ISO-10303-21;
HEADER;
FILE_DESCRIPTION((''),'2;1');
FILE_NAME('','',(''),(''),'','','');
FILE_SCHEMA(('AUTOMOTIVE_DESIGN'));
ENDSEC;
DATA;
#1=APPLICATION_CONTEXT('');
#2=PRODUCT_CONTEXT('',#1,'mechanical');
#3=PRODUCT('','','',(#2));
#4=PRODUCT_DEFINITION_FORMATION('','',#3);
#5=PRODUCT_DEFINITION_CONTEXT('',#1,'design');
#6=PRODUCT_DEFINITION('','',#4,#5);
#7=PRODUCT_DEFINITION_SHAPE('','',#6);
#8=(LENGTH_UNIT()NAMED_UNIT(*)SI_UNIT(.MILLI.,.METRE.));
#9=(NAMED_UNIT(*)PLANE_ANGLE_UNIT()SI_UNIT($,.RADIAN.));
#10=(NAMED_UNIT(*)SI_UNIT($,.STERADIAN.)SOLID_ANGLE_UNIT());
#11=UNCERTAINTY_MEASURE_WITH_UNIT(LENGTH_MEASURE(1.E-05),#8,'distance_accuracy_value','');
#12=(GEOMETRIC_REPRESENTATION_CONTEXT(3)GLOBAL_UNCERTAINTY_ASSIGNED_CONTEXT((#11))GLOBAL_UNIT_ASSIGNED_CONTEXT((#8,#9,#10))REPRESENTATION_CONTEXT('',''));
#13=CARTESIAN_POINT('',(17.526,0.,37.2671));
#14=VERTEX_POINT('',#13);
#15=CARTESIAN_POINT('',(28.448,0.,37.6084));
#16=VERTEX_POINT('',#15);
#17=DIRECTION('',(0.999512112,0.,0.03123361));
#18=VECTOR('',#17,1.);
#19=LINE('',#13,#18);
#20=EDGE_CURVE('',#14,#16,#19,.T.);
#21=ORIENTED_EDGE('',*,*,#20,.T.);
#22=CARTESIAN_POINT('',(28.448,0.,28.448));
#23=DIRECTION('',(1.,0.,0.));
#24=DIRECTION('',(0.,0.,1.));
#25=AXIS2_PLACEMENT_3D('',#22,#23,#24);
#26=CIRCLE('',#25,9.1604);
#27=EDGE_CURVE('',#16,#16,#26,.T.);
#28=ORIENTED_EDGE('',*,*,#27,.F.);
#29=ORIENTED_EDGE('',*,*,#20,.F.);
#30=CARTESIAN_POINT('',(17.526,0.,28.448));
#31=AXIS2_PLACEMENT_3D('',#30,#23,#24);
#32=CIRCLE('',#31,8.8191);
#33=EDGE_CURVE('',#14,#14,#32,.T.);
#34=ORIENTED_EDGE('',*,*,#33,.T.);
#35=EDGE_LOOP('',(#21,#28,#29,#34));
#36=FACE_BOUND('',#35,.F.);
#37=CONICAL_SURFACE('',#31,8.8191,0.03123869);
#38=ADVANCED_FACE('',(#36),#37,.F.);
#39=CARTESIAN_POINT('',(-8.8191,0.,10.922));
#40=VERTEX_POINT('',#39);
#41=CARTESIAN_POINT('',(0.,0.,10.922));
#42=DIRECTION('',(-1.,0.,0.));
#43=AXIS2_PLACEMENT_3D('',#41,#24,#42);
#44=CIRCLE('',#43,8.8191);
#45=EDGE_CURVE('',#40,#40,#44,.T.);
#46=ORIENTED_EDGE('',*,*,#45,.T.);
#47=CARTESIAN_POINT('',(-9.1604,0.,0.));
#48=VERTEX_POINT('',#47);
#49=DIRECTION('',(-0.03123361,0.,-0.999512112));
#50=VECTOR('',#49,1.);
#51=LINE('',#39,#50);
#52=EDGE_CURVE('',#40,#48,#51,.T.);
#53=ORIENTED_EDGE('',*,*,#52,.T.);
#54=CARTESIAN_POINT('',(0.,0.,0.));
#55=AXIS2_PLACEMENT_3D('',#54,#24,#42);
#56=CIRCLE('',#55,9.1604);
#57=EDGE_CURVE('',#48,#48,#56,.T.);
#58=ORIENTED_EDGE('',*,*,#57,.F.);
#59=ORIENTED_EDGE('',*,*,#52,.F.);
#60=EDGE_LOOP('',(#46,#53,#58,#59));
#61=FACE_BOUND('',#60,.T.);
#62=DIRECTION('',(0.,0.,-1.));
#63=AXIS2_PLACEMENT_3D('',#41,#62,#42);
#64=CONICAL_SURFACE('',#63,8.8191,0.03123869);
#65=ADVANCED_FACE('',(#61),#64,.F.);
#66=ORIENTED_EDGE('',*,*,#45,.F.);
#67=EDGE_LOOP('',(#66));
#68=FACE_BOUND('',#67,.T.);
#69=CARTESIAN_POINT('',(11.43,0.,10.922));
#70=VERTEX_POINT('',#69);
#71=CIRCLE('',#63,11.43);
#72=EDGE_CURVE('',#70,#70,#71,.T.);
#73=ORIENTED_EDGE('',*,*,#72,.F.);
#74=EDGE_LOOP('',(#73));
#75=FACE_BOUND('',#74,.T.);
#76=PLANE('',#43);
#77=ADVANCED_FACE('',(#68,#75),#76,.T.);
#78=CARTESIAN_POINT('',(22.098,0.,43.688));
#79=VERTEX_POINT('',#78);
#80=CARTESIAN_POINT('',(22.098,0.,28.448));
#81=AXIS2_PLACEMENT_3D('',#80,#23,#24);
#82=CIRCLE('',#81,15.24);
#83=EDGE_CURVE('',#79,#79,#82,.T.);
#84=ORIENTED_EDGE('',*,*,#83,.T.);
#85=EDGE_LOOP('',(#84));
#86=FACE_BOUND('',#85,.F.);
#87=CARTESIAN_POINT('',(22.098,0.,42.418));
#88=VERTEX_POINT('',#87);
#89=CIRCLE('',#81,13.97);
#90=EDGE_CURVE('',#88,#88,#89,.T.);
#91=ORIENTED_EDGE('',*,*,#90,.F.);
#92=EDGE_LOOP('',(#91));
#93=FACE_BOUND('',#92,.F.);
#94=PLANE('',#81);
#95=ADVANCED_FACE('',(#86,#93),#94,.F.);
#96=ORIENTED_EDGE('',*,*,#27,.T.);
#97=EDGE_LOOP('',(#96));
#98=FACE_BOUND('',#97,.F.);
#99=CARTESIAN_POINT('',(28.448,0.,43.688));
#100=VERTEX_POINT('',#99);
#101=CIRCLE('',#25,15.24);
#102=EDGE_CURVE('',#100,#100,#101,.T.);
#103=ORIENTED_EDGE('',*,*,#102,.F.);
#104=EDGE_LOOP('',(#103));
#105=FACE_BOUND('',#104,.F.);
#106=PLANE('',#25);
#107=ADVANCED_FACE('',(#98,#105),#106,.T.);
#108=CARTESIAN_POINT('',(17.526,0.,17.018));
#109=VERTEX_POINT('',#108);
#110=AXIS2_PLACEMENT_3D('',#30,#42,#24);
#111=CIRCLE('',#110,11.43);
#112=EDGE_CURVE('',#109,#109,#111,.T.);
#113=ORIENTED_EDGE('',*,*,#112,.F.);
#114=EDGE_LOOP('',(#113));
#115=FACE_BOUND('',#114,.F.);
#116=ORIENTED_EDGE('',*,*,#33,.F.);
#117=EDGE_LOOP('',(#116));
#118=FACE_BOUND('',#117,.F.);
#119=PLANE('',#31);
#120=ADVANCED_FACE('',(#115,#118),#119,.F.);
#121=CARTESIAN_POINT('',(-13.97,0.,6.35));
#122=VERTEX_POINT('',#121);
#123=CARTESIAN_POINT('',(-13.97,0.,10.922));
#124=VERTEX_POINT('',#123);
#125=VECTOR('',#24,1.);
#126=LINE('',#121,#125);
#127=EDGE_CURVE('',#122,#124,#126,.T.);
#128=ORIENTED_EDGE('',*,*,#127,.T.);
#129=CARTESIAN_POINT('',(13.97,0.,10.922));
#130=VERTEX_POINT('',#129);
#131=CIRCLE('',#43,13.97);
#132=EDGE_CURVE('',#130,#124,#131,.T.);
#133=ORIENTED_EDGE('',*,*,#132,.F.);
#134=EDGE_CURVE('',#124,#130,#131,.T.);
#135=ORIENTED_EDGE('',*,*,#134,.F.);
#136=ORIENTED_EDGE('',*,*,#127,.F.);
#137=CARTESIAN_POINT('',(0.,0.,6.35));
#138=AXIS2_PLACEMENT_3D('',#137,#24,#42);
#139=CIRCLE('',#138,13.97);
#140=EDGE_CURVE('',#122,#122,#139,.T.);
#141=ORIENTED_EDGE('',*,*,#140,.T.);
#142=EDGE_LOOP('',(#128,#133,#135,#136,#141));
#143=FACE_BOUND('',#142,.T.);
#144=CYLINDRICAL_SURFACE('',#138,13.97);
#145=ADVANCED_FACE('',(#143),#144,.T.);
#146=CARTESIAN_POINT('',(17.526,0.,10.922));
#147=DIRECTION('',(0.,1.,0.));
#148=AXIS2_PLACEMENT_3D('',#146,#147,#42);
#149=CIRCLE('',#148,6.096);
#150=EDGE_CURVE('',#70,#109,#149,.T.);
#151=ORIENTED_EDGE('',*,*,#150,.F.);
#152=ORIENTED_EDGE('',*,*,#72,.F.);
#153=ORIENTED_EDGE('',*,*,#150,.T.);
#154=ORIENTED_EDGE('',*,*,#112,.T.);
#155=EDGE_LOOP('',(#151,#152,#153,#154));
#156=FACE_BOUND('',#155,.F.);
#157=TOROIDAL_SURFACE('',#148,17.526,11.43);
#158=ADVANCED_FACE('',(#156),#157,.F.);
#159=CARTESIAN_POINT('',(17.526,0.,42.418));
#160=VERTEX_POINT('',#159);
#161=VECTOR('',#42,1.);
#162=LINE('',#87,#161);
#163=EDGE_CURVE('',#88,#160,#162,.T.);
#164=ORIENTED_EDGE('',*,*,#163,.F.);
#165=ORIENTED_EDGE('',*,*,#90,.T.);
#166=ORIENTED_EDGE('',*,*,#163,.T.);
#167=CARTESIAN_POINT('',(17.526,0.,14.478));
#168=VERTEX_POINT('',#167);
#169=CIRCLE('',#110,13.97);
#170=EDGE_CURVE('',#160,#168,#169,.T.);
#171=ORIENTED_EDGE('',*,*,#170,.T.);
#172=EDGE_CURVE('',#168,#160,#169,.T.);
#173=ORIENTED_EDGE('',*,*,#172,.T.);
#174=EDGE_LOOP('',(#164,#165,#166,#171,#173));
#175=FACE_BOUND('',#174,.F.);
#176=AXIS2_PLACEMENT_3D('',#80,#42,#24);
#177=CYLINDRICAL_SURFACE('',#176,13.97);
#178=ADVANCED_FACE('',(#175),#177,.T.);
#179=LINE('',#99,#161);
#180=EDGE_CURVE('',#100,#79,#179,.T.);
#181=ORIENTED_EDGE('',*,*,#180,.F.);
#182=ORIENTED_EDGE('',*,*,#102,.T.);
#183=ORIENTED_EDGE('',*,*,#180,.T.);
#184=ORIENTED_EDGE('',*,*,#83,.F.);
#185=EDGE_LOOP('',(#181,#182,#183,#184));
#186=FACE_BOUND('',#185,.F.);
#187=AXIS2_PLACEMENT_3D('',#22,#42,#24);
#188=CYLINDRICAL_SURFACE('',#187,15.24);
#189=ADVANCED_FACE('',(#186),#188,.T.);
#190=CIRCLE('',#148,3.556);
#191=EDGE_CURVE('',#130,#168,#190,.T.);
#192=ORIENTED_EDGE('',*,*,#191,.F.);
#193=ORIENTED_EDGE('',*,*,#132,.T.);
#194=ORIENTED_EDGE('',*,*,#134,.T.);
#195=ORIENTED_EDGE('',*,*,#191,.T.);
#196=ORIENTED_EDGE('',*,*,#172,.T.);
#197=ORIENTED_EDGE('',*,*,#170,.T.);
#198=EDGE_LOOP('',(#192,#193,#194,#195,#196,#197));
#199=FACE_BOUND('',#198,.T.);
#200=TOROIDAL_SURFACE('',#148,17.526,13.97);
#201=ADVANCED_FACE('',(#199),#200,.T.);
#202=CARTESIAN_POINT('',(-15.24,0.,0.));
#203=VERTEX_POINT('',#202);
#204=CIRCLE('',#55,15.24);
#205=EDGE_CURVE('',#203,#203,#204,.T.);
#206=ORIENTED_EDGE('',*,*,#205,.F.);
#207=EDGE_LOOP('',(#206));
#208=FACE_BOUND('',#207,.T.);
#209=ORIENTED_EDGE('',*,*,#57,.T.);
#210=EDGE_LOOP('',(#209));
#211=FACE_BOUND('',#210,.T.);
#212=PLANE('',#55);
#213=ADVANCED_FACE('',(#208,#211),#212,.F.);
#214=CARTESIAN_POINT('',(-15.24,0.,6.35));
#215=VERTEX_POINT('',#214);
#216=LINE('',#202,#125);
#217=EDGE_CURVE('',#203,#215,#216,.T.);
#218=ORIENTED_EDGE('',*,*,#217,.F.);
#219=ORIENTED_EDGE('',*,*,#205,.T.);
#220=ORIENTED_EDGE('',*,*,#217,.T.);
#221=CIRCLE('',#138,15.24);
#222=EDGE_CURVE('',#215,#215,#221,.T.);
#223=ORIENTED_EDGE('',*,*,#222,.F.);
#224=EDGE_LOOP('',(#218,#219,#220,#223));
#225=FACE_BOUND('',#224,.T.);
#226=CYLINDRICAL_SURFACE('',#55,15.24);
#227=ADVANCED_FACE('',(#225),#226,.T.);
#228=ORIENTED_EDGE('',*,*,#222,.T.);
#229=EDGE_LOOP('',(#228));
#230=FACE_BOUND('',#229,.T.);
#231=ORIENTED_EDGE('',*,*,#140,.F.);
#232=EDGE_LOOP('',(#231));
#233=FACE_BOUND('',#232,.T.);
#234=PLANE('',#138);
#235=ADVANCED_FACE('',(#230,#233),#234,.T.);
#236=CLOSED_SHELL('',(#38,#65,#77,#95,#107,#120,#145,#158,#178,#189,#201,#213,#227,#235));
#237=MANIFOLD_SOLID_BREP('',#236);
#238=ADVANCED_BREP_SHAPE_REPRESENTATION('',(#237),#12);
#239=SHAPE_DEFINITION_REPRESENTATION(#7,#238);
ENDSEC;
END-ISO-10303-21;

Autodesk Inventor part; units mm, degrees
ref_plane "YZ Plane" through (0, 0, 0) normal (1, 0, 0) x (0, 1, 0)
ref_plane "XZ Plane" through (0, 0, 0) normal (0, 1, 0) x (-1, 0, 0)
ref_plane "XY Plane" through (0, 0, 0) normal (0, 0, 1) x (1, 0, 0)
sketch "Sketch1" plane through (0, 0, 0) normal (0, 1, 0) x (-1, 0, 0)
  line L0 (0, 0) -> (9.1604, 0) construction
  line L1 (9.1604, 0) -> (15.24, 0)
  line L2 (15.24, 0) -> (15.24, 6.35)
  line L3 (15.24, 6.35) -> (13.97, 6.35)
  line L4 (13.97, 6.35) -> (13.97, 10.922)
  line L5 (13.97, 10.922) -> (8.8191, 10.922)
  line L6 (8.8191, 10.922) -> (9.1604, 0)
  line L7 (0, 0) -> (0, 10.922)
  line L8 (0, 10.922) -> (8.8191, 10.922) construction
  line L9 (0, 0) -> (0, 28.448) construction
  line L10 (0, 28.448) -> (-17.526, 28.448) construction
  arc A0 (0, 10.922) -> (-17.526, 28.448) centre (-17.526, 10.922) ccw
  line L11 (-17.526, 28.448) -> (-28.7343, 28.448)
  line L12 (-28.448, 37.6084) -> (-28.448, 43.688)
  line L13 (-28.448, 43.688) -> (-22.098, 43.688)
  line L14 (-17.526, 42.418) -> (-17.526, 37.2671)
  line L15 (-17.526, 37.2671) -> (-17.526, 28.448) construction
  line L16 (-22.098, 43.688) -> (-22.098, 42.418)
  line L17 (-22.098, 42.418) -> (-17.526, 42.418)
  line L18 (-17.526, 37.2671) -> (-28.448, 37.6084)
  line L19 (-28.448, 37.6084) -> (-28.7343, 28.448) construction
  dimension "d0" = 18.3208
  dimension "d1" = 27.94
  dimension "d2" = 30.48
  dimension "d3" = 6.35
  dimension "d4" = 10.922
  dimension "d5" = 1.79
  dimension "d8" = 90
  dimension "d9" = 28.448
  dimension "d10" = 17.526
  dimension "d12" = 1.79
  dimension "d13" = 10.922
  dimension "d14" = 6.35
  dimension "d15" = 18.3208
  dimension "d17" = 27.94
  dimension "d18" = 30.48
revolve "Revolution1" add sketch "Sketch1" angle 360 about axis through (0, 0, 0) along (0, 0, 1) contours L6 L5 L4 L3 L2 L1
sketch "Sketch3" plane through (0, 0, 10.922) normal (0, 0, 1) x (1, 0, 0)
  circle A0 centre (0, 0) radius 11.43
  circle A1 centre (0, 0) radius 13.97
  circle A2 centre (0, 0) radius 13.97 projected
  dimension "d6" = 22.86
  dimension "d7" = 27.94
sweep "Sweep1" add profiles "Sketch3" path "Sketch1" path curves A0
revolve "Revolution2" add sketch "Sketch1" angle 360 about axis through (17.526, 0, 28.448) along (1, 0, 0) contours L12 L13 L16 L17 L14 L18
thread "Thread1"
thread "Thread2"
equation "\"d0\" = MD"
equation "\"d1\" = F1 + 2 * G"
equation "\"d2\" = H"
equation "\"d3\" = E1"
equation "\"d4\" = B"
equation "\"d9\" = A"
equation "\"d10\" = A - B"
equation "\"d13\" = B"
equation "\"d14\" = E1"
equation "\"d15\" = MD"
equation "\"d17\" = F1 + 2 * G"
equation "\"d18\" = H"
equation "\"d6\" = F1"
equation "\"d7\" = F1 + 2 * G"
equation "\"d58\" = B"
equation "\"MD\" = 18.32077"
equation "\"A\" = 28.448"
equation "\"B\" = 10.922"
equation "\"G\" = 2.54"
equation "\"F1\" = 22.86"
equation "\"P\" = 1.8143"
equation "\"H\" = 30.48"
equation "\"E1\" = 6.35"
equation "\"Size_Designation\" = 0.5"
properties part number "ASME B16.3 90 Deg Elbow - Class 150 1/2" material "Iron, Malleable"
